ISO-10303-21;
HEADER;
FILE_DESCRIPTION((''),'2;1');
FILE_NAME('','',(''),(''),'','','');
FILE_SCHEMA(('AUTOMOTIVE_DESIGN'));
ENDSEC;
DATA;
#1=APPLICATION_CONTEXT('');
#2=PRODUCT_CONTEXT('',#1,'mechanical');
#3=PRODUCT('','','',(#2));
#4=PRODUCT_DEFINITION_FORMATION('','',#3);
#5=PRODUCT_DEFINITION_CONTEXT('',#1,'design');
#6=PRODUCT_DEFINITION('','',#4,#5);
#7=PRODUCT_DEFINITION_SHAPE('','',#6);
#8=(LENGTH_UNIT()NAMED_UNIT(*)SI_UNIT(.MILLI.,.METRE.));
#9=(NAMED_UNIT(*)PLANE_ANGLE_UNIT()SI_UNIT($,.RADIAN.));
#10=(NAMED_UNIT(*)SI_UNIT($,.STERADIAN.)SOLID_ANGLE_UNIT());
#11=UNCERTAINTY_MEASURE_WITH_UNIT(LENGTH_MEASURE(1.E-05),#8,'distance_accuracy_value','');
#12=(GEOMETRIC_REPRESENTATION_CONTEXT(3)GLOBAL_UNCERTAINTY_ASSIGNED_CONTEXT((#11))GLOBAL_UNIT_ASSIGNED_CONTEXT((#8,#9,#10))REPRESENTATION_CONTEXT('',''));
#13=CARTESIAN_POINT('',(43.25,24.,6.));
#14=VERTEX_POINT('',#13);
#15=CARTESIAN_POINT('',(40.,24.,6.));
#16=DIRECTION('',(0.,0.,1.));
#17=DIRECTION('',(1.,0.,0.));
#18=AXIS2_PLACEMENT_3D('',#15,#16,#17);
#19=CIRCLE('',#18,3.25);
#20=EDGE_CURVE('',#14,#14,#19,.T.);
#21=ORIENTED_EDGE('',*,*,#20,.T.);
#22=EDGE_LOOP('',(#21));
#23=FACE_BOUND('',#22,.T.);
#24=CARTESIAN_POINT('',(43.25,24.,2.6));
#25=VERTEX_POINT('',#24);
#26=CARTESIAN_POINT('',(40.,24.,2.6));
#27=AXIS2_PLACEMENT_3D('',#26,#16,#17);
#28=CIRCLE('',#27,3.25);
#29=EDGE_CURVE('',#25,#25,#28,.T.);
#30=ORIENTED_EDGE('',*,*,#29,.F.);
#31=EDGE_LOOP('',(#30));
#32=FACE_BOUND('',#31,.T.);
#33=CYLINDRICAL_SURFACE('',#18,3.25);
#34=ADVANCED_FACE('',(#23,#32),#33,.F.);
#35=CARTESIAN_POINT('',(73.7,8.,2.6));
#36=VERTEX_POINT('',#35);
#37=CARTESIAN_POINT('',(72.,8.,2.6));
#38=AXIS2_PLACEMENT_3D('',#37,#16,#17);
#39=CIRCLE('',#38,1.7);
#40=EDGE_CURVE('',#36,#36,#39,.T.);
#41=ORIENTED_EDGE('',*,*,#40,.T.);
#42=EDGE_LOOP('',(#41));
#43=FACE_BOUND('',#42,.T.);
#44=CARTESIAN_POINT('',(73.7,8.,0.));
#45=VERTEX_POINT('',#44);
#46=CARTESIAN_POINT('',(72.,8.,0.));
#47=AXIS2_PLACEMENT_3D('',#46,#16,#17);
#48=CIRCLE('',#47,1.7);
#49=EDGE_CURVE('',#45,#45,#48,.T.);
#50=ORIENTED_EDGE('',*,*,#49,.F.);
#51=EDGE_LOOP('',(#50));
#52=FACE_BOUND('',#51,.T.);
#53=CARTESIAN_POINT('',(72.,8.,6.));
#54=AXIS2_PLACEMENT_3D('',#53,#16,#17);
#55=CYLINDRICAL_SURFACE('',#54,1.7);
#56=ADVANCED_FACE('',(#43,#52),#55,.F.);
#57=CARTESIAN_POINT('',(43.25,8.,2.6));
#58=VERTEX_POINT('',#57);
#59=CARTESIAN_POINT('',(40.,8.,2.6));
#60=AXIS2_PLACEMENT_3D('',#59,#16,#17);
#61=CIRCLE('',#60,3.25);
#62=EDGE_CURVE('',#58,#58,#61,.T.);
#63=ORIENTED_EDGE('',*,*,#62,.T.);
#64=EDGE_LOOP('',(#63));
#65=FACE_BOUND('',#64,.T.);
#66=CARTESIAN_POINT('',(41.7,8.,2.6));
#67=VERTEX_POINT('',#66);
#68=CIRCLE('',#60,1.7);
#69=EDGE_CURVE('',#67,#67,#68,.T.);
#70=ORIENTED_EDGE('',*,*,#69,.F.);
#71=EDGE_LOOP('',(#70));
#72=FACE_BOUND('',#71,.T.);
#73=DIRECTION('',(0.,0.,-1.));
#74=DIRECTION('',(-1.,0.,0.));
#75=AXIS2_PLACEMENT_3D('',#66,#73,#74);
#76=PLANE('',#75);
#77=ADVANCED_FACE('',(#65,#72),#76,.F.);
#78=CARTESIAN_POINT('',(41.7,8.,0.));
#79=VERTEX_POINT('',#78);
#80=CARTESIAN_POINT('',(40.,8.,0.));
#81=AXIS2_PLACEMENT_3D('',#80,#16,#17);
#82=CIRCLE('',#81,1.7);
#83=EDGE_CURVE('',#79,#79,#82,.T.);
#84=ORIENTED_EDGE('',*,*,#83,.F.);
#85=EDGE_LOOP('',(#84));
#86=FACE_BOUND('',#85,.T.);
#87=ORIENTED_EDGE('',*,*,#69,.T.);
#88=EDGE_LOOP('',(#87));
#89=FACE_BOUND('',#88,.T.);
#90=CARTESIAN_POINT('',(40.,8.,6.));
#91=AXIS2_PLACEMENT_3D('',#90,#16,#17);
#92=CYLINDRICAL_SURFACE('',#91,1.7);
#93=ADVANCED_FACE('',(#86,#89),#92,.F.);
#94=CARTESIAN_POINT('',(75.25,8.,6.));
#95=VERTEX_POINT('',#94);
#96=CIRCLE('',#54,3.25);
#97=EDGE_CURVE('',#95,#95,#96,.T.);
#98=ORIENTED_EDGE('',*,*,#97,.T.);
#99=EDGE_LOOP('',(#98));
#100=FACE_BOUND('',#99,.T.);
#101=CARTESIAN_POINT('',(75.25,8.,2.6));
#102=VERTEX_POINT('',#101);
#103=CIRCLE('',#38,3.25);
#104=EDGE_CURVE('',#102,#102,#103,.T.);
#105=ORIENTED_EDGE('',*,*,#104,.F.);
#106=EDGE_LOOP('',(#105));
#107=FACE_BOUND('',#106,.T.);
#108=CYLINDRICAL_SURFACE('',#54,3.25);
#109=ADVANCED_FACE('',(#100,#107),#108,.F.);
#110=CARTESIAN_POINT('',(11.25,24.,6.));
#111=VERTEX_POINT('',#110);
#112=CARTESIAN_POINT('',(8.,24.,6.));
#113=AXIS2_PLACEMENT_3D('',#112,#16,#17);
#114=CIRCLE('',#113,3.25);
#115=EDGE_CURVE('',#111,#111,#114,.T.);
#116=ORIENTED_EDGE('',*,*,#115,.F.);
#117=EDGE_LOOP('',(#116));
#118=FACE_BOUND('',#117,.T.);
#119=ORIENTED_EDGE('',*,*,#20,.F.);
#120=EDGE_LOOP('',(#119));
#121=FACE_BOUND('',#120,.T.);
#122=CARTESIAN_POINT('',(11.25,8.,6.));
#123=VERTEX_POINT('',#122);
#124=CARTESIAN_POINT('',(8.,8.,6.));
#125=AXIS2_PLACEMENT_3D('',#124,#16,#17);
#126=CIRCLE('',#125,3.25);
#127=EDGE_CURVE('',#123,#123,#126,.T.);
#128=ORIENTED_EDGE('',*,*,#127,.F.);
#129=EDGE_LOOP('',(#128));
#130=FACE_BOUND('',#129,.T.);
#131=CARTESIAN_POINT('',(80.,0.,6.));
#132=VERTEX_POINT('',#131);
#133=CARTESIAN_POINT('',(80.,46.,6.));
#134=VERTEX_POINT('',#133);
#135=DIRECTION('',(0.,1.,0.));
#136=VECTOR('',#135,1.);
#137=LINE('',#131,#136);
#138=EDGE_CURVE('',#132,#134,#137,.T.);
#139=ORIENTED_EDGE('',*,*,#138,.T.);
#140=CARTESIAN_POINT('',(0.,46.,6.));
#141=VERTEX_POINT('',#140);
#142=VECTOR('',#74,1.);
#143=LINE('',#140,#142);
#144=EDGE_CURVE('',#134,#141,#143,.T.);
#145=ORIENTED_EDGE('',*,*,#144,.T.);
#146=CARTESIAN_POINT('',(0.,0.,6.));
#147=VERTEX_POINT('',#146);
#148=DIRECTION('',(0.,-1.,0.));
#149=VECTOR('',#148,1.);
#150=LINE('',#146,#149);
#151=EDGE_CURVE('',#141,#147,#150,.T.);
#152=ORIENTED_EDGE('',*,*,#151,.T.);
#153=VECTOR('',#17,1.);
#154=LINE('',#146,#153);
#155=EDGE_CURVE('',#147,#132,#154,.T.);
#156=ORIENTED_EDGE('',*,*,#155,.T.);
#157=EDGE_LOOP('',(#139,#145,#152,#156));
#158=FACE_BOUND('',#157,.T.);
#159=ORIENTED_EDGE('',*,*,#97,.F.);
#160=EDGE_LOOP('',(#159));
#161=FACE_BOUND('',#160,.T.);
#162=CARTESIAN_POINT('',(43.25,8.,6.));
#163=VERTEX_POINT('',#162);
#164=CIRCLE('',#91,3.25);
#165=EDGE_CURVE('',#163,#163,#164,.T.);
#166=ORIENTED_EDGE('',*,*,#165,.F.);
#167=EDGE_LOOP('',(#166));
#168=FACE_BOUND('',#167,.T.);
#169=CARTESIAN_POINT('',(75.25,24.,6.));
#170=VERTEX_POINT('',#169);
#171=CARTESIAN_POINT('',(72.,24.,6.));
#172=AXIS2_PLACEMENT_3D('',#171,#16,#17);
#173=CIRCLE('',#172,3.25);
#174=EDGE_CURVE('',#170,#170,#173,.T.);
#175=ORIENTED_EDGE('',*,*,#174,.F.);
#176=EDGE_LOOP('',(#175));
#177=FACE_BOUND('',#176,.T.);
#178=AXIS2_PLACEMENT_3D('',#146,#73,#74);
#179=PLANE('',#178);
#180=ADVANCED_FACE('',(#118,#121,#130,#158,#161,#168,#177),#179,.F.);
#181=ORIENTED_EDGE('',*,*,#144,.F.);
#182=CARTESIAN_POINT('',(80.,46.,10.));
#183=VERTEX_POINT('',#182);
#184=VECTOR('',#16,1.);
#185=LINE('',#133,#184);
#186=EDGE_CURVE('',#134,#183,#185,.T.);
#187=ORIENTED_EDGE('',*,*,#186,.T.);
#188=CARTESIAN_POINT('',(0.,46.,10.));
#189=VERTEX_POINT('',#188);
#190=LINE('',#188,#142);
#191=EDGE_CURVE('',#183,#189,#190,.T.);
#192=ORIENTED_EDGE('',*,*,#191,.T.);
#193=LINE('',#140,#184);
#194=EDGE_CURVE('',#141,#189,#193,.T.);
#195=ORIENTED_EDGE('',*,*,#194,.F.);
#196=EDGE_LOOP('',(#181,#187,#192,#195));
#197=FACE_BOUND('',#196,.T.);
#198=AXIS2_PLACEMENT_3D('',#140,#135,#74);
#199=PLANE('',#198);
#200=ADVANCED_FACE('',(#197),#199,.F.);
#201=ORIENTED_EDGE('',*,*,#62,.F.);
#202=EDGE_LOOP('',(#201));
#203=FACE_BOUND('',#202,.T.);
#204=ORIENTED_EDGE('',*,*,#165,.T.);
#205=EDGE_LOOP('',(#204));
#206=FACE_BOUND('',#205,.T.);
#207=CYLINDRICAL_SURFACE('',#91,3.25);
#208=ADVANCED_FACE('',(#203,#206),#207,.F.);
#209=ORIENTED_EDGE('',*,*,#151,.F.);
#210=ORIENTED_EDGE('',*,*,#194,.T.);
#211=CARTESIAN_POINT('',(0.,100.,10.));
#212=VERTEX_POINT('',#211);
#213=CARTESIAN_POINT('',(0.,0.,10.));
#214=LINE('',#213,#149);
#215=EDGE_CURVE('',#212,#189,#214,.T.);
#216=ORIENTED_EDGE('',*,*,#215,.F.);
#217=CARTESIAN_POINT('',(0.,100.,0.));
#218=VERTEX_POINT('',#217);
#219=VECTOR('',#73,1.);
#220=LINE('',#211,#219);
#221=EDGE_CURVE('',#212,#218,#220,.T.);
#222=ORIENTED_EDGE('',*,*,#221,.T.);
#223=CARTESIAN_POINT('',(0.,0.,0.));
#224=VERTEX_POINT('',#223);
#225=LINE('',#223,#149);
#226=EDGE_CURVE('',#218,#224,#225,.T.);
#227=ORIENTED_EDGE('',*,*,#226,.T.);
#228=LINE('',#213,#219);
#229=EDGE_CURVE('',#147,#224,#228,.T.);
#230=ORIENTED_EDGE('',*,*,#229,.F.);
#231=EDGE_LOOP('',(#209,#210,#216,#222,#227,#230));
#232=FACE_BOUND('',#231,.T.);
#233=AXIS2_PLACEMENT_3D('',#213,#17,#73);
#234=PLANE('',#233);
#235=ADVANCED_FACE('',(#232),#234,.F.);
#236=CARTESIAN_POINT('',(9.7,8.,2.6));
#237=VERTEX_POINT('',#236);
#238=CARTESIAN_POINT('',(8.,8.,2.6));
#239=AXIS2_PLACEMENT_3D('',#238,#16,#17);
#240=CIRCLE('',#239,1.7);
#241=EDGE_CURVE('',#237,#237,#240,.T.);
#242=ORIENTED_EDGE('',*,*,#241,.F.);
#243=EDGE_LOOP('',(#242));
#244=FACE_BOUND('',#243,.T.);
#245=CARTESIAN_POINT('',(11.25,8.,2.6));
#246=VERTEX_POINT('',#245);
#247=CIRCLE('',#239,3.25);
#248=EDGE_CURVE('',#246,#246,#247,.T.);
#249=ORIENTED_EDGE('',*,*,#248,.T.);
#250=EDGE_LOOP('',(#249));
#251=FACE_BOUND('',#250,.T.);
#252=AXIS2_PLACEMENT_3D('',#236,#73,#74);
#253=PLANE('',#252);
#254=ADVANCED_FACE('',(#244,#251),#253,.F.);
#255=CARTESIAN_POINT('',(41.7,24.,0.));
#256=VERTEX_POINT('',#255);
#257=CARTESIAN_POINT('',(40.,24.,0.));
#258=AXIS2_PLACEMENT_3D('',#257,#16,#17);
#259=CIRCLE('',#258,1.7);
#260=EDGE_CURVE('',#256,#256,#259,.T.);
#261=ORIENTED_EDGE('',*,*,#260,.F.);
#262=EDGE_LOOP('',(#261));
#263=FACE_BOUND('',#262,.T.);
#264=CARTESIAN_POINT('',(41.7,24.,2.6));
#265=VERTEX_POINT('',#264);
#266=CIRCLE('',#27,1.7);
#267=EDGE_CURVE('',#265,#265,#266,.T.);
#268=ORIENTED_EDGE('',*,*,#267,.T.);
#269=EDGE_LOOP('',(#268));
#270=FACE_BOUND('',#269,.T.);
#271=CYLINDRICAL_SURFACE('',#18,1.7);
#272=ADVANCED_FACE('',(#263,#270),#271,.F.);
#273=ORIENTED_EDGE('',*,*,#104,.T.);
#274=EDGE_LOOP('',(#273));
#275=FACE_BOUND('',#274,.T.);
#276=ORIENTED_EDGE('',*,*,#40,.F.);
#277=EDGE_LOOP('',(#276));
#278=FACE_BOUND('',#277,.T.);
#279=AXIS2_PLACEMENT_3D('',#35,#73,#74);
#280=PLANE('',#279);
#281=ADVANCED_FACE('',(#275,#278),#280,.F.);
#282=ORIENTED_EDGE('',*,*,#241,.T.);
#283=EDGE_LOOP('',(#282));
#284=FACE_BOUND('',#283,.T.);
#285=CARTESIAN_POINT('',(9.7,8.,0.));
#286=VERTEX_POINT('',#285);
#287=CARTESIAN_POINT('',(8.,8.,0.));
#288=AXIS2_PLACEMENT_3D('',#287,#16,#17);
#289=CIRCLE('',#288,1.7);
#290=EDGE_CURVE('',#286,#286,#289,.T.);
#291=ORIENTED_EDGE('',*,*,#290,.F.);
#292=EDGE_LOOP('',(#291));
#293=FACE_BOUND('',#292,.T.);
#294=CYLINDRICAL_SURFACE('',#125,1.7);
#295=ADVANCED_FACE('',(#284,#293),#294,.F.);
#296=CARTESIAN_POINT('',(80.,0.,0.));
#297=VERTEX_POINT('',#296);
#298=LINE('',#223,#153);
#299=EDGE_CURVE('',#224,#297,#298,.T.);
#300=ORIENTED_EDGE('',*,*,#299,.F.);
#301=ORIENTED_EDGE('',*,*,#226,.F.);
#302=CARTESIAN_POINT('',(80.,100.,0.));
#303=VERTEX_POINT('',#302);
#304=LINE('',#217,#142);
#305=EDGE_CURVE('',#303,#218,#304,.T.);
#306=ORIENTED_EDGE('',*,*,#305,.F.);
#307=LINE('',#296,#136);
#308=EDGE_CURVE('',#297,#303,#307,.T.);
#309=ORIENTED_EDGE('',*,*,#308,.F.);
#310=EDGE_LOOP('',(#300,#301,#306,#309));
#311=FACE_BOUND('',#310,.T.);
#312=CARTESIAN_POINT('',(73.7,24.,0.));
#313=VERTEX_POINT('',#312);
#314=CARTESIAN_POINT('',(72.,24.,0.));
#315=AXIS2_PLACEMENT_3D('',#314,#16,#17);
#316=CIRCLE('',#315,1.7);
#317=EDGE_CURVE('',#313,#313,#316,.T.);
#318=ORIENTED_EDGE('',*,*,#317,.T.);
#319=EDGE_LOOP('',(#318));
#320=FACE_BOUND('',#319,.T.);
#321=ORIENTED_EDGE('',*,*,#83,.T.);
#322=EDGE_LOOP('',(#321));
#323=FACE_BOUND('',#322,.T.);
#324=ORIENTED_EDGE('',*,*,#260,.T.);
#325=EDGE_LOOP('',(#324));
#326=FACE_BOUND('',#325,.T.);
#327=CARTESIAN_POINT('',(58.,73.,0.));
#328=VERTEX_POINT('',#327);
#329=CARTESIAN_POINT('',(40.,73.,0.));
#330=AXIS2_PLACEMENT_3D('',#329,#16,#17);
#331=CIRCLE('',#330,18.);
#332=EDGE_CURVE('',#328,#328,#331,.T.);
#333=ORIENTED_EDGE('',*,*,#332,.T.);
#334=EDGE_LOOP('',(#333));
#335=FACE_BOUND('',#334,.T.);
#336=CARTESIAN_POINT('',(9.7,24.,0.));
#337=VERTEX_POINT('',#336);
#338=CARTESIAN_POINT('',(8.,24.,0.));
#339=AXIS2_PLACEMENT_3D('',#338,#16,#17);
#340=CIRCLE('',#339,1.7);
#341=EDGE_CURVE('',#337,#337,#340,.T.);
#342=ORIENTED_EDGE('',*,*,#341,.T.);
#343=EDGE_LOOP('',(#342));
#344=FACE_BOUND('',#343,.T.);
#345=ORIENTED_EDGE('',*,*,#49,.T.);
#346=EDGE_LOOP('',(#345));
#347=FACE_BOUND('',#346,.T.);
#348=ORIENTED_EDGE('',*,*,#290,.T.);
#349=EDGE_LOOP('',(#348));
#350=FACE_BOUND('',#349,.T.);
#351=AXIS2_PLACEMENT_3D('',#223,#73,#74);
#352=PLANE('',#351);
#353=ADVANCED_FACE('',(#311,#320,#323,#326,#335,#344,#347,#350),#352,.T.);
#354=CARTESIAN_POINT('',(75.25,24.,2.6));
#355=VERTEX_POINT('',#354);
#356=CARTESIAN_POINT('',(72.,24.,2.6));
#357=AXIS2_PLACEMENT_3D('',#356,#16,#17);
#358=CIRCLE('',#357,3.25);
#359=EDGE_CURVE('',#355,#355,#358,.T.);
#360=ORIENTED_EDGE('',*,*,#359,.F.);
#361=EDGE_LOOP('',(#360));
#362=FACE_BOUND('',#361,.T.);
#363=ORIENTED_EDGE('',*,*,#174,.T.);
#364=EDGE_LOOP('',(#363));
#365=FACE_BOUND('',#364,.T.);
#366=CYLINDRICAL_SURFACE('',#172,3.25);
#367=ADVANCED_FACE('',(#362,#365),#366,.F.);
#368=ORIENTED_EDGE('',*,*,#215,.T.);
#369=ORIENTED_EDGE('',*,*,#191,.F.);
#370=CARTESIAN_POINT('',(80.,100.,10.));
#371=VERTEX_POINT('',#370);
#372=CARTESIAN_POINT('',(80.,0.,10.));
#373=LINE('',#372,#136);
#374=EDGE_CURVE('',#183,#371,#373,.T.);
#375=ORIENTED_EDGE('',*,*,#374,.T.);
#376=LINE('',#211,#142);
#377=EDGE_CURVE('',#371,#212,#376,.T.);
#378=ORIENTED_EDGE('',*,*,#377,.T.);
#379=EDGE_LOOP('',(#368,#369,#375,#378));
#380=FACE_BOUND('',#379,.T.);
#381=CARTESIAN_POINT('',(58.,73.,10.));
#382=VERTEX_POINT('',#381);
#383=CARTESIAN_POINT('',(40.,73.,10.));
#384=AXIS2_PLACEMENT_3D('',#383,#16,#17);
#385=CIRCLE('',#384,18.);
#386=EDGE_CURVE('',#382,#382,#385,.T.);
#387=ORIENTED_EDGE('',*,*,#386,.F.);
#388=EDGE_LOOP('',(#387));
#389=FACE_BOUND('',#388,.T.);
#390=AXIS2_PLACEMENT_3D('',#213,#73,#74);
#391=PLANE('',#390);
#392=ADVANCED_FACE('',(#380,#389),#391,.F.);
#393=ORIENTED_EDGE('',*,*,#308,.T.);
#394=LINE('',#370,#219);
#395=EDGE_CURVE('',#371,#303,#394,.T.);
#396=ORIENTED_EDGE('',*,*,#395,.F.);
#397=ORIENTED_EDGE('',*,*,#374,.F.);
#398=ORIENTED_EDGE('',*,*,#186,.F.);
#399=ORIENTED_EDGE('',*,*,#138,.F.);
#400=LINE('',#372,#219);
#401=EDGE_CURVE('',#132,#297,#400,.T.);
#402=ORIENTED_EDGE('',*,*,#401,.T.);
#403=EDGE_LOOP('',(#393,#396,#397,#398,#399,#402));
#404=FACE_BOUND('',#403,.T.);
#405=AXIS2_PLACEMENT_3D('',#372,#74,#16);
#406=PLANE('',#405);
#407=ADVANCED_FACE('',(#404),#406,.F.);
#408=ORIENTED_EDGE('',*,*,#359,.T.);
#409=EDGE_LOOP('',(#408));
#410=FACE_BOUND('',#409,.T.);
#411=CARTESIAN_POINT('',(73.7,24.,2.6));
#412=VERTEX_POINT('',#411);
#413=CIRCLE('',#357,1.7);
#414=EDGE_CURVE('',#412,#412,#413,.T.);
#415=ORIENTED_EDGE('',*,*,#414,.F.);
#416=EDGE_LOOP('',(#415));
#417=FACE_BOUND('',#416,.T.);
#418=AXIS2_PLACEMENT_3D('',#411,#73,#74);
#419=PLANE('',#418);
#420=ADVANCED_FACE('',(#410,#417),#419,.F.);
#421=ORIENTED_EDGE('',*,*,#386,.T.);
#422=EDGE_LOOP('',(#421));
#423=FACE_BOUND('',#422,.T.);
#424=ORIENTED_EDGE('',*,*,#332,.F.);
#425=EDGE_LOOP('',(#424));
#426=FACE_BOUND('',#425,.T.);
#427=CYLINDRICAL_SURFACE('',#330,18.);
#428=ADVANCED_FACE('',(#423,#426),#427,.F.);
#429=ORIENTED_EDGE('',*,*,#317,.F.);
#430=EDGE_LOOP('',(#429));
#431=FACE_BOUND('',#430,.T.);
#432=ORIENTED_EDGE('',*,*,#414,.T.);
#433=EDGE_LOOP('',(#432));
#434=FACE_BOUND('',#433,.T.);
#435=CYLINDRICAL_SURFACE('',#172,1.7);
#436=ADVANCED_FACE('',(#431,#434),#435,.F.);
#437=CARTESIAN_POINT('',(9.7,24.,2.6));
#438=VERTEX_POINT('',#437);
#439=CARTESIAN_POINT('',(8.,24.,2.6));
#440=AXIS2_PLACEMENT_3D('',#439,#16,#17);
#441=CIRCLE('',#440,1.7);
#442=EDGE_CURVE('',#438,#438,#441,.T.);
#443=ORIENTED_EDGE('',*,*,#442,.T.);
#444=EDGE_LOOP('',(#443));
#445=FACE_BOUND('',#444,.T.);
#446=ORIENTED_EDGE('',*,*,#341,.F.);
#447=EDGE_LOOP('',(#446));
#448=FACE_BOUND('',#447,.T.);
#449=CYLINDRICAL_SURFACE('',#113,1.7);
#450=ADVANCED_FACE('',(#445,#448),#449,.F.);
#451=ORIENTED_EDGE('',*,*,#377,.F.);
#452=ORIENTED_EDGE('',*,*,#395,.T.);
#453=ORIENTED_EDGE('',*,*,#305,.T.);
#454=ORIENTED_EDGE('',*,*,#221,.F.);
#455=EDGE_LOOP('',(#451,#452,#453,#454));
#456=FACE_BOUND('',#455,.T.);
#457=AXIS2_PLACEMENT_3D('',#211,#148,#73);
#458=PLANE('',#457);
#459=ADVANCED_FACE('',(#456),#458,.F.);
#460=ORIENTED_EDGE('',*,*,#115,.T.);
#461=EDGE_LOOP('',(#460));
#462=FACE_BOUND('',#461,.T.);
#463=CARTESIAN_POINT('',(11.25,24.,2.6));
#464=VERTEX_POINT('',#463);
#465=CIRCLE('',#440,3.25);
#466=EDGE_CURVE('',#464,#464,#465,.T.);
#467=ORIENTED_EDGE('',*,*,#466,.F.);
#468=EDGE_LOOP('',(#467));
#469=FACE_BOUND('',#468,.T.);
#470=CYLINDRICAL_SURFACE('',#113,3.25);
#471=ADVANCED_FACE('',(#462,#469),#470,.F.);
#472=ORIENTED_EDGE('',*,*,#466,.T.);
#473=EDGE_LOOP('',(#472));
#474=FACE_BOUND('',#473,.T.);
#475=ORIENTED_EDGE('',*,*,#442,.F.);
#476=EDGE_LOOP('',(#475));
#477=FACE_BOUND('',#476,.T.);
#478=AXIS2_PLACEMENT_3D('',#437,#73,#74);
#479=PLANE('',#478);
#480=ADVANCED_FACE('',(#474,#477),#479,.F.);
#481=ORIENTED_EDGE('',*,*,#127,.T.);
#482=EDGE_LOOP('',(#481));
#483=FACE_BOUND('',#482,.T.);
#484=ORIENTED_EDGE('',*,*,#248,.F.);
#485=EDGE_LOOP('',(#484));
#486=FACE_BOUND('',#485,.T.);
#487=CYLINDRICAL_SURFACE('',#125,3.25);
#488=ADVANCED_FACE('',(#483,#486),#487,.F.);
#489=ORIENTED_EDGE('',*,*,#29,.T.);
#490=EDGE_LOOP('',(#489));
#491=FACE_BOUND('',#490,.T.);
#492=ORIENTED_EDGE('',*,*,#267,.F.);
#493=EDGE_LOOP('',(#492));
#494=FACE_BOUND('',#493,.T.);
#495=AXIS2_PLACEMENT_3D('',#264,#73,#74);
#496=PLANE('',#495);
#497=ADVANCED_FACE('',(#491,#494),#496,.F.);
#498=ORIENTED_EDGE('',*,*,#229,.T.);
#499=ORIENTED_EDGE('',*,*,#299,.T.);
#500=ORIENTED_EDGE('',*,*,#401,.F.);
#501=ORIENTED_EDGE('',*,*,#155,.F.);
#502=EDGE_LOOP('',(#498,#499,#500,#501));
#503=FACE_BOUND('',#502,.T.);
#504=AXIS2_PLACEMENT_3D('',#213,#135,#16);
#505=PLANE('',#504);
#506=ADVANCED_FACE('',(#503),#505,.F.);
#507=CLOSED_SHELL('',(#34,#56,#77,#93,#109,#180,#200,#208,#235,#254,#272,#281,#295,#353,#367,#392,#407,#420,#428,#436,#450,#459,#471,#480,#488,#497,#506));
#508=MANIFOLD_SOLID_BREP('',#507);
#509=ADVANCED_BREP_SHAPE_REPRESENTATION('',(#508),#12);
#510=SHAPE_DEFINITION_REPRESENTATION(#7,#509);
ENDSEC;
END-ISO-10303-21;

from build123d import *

# Parameters (mm, degrees)
SKETCH1_W                                           = 80
SKETCH1_H                                           = 100
BOSS_EXTRUDE1_DEPTH                                 = 10
SKETCH2_R                                           = 18
CUT_EXTRUDE1_DEPTH                                  = 129.452325787
SKETCH3_W                                           = 80
SKETCH3_H                                           = 46
CUT_EXTRUDE2_DEPTH                                  = 4
CBORE_FOR_M3_HEX_SOCKET_HEAD_CAP_SCREW1_D           = 3.4
CBORE_FOR_M3_HEX_SOCKET_HEAD_CAP_SCREW1_CBORE_D     = 6.5
CBORE_FOR_M3_HEX_SOCKET_HEAD_CAP_SCREW1_CBORE_DEPTH = 3.4


with BuildPart() as part:
    # Sketch1 → Boss-Extrude1 (new body)
    with BuildSketch(Plane.XY):
        with Locations((40, 50)):
            Rectangle(SKETCH1_W, SKETCH1_H)
    extrude(amount=BOSS_EXTRUDE1_DEPTH)

    # Sketch2 → Cut-Extrude1 (cut, through all)
    with BuildSketch(Plane.XY.offset(10)):
        with Locations((40, 73)):
            Circle(SKETCH2_R)
    extrude(amount=-CUT_EXTRUDE1_DEPTH, mode=Mode.SUBTRACT)

    # Sketch3 → Cut-Extrude2 (cut)
    with BuildSketch(Plane.XY.offset(10)):
        with Locations((40, 23)):
            Rectangle(SKETCH3_W, SKETCH3_H)
    extrude(amount=-CUT_EXTRUDE2_DEPTH, mode=Mode.SUBTRACT)

    # CBORE for M3 Hex Socket Head Cap Screw1 (through all)
    with Locations(Plane.XY.offset(6)):
        with Locations((8, 8), (40, 8), (72, 8), (40, 24), (72, 24), (8, 24)):
            CounterBoreHole(CBORE_FOR_M3_HEX_SOCKET_HEAD_CAP_SCREW1_D / 2, CBORE_FOR_M3_HEX_SOCKET_HEAD_CAP_SCREW1_CBORE_D / 2, CBORE_FOR_M3_HEX_SOCKET_HEAD_CAP_SCREW1_CBORE_DEPTH)


solid = part.part
